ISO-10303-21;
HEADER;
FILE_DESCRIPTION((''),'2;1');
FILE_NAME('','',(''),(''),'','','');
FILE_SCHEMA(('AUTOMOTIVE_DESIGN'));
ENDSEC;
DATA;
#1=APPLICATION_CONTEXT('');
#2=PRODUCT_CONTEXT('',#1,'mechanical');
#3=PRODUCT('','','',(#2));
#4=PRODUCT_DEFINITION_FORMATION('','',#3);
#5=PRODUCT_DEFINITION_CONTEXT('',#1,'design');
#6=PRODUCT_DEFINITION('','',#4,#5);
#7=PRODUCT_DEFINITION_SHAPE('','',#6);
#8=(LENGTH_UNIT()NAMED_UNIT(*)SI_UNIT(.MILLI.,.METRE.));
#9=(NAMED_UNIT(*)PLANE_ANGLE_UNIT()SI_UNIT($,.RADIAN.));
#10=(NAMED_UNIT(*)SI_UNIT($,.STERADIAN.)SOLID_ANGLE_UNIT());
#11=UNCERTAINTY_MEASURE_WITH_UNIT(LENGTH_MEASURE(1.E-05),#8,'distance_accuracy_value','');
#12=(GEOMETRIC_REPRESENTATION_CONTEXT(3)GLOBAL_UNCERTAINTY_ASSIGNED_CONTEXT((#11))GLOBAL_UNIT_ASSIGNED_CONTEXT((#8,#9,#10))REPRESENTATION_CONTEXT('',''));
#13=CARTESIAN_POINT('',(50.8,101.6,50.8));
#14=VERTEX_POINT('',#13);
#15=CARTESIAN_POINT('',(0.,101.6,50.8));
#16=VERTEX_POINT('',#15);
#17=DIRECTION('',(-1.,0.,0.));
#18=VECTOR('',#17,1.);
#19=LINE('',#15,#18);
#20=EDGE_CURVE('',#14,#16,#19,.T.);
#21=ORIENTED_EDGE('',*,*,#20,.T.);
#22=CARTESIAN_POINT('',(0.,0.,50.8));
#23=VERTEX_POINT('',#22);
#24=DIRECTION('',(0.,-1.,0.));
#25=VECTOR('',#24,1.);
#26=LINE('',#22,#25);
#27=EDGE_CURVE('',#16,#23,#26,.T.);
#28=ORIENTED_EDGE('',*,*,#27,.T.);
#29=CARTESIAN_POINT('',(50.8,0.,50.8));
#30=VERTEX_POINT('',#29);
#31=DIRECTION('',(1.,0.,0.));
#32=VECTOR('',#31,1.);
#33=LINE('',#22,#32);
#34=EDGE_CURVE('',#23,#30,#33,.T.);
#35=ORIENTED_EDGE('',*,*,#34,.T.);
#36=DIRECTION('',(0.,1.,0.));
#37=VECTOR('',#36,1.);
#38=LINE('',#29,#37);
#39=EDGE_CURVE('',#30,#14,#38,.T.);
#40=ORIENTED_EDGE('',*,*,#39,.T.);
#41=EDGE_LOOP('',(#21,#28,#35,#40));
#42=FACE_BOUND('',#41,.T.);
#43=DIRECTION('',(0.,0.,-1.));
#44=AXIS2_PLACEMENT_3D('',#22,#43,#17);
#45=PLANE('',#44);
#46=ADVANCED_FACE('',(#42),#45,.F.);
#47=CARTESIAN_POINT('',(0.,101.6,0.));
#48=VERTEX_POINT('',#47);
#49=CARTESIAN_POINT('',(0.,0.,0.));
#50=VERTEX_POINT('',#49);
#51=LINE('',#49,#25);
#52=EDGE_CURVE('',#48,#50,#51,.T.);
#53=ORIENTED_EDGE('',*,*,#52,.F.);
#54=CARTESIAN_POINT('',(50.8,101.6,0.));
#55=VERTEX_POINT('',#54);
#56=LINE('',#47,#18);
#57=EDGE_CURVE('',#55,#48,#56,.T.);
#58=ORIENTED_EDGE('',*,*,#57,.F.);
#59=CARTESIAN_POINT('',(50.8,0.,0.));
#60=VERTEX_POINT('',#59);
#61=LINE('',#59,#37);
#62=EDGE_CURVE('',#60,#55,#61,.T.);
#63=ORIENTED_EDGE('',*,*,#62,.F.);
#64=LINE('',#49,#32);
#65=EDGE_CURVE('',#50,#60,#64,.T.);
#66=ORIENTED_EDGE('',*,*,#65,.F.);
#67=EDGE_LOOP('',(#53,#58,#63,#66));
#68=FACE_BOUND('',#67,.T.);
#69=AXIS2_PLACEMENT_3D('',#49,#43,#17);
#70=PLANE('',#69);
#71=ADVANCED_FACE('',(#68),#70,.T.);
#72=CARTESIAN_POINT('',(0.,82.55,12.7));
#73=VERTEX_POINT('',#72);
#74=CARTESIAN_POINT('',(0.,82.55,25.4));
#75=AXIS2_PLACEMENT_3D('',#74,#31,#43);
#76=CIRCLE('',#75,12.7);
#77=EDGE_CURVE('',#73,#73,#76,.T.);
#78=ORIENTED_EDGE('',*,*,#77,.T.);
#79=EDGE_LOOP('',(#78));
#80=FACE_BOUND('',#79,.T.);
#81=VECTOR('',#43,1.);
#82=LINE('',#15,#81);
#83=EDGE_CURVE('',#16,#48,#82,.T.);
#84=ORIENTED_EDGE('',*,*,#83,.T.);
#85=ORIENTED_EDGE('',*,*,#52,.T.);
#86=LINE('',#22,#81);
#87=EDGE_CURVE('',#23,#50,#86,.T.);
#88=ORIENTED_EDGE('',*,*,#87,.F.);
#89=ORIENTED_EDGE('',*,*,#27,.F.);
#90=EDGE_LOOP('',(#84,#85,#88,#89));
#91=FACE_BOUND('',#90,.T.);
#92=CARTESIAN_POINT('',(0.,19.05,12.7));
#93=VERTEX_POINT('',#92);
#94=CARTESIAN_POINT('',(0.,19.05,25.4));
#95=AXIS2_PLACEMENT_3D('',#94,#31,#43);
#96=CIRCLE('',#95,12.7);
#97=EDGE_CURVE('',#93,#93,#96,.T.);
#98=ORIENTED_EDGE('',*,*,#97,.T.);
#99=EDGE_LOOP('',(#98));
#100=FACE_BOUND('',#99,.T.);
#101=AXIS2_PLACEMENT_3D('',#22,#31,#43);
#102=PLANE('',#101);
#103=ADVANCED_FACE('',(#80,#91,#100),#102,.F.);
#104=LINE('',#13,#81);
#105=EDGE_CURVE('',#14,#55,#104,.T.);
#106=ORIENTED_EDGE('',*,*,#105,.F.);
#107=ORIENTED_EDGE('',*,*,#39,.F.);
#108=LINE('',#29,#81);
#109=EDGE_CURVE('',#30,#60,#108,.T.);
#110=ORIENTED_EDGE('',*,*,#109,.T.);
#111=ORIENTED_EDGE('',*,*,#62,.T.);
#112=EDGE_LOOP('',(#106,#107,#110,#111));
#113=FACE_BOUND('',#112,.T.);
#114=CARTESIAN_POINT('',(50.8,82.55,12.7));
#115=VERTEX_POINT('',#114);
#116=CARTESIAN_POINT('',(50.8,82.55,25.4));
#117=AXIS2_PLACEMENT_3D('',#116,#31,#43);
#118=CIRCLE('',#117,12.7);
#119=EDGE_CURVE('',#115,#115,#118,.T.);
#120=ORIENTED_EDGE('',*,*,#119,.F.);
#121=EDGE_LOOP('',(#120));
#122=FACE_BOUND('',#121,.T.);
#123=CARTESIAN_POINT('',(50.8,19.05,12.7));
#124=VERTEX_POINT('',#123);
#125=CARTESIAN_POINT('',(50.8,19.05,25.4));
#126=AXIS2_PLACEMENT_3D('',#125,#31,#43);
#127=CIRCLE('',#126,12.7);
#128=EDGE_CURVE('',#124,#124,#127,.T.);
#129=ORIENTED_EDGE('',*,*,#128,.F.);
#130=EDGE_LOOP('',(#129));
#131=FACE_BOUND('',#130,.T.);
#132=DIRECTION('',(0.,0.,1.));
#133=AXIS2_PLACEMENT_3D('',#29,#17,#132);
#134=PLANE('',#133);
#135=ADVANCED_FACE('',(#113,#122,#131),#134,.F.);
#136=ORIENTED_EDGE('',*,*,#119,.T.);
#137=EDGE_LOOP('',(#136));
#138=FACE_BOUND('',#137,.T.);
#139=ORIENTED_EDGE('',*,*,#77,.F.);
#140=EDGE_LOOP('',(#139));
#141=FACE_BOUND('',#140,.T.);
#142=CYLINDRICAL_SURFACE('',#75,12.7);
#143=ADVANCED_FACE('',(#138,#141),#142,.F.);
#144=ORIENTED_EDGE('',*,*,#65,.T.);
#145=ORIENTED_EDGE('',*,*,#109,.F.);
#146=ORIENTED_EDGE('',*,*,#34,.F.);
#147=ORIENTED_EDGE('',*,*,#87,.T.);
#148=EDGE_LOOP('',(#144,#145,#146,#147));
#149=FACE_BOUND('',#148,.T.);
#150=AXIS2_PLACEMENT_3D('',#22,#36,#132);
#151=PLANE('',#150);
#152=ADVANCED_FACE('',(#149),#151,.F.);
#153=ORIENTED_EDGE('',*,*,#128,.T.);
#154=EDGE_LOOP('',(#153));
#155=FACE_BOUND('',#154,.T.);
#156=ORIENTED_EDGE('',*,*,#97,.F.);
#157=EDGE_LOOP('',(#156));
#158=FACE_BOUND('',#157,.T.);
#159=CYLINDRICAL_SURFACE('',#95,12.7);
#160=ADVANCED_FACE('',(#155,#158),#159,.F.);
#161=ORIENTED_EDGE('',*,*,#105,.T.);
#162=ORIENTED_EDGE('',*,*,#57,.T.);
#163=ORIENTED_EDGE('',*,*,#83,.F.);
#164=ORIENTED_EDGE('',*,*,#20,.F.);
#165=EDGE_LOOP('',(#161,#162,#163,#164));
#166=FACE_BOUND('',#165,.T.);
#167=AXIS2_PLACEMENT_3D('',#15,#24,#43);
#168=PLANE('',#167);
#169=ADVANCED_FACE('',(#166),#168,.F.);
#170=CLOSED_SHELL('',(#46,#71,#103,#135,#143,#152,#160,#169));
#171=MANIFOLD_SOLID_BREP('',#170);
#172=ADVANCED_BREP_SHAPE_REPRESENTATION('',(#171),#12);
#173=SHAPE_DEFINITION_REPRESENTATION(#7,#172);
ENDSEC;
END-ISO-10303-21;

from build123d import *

# Parameters (mm, degrees)
SKETCH1_W           = 50.8
SKETCH1_H           = 101.6
BOSS_EXTRUDE1_DEPTH = 50.8
SKETCH2_R           = 12.7
CUT_EXTRUDE1_DEPTH  = 51.8


with BuildPart() as part:
    # Sketch1 → Boss-Extrude1 (new body)
    with BuildSketch(Plane.XY):
        with Locations((25.4, 50.8)):
            Rectangle(SKETCH1_W, SKETCH1_H)
    extrude(amount=BOSS_EXTRUDE1_DEPTH)

    # Sketch2 → Cut-Extrude1 (cut, through all)
    with BuildSketch(Plane(origin=(50.8, 0, 0), x_dir=(0, 0, -1), z_dir=(1, 0, 0))):
        with Locations((-25.4, 82.55)):
            Circle(SKETCH2_R)
        with Locations((-25.4, 19.05)):
            Circle(SKETCH2_R)
    extrude(amount=-CUT_EXTRUDE1_DEPTH, mode=Mode.SUBTRACT)


solid = part.part
